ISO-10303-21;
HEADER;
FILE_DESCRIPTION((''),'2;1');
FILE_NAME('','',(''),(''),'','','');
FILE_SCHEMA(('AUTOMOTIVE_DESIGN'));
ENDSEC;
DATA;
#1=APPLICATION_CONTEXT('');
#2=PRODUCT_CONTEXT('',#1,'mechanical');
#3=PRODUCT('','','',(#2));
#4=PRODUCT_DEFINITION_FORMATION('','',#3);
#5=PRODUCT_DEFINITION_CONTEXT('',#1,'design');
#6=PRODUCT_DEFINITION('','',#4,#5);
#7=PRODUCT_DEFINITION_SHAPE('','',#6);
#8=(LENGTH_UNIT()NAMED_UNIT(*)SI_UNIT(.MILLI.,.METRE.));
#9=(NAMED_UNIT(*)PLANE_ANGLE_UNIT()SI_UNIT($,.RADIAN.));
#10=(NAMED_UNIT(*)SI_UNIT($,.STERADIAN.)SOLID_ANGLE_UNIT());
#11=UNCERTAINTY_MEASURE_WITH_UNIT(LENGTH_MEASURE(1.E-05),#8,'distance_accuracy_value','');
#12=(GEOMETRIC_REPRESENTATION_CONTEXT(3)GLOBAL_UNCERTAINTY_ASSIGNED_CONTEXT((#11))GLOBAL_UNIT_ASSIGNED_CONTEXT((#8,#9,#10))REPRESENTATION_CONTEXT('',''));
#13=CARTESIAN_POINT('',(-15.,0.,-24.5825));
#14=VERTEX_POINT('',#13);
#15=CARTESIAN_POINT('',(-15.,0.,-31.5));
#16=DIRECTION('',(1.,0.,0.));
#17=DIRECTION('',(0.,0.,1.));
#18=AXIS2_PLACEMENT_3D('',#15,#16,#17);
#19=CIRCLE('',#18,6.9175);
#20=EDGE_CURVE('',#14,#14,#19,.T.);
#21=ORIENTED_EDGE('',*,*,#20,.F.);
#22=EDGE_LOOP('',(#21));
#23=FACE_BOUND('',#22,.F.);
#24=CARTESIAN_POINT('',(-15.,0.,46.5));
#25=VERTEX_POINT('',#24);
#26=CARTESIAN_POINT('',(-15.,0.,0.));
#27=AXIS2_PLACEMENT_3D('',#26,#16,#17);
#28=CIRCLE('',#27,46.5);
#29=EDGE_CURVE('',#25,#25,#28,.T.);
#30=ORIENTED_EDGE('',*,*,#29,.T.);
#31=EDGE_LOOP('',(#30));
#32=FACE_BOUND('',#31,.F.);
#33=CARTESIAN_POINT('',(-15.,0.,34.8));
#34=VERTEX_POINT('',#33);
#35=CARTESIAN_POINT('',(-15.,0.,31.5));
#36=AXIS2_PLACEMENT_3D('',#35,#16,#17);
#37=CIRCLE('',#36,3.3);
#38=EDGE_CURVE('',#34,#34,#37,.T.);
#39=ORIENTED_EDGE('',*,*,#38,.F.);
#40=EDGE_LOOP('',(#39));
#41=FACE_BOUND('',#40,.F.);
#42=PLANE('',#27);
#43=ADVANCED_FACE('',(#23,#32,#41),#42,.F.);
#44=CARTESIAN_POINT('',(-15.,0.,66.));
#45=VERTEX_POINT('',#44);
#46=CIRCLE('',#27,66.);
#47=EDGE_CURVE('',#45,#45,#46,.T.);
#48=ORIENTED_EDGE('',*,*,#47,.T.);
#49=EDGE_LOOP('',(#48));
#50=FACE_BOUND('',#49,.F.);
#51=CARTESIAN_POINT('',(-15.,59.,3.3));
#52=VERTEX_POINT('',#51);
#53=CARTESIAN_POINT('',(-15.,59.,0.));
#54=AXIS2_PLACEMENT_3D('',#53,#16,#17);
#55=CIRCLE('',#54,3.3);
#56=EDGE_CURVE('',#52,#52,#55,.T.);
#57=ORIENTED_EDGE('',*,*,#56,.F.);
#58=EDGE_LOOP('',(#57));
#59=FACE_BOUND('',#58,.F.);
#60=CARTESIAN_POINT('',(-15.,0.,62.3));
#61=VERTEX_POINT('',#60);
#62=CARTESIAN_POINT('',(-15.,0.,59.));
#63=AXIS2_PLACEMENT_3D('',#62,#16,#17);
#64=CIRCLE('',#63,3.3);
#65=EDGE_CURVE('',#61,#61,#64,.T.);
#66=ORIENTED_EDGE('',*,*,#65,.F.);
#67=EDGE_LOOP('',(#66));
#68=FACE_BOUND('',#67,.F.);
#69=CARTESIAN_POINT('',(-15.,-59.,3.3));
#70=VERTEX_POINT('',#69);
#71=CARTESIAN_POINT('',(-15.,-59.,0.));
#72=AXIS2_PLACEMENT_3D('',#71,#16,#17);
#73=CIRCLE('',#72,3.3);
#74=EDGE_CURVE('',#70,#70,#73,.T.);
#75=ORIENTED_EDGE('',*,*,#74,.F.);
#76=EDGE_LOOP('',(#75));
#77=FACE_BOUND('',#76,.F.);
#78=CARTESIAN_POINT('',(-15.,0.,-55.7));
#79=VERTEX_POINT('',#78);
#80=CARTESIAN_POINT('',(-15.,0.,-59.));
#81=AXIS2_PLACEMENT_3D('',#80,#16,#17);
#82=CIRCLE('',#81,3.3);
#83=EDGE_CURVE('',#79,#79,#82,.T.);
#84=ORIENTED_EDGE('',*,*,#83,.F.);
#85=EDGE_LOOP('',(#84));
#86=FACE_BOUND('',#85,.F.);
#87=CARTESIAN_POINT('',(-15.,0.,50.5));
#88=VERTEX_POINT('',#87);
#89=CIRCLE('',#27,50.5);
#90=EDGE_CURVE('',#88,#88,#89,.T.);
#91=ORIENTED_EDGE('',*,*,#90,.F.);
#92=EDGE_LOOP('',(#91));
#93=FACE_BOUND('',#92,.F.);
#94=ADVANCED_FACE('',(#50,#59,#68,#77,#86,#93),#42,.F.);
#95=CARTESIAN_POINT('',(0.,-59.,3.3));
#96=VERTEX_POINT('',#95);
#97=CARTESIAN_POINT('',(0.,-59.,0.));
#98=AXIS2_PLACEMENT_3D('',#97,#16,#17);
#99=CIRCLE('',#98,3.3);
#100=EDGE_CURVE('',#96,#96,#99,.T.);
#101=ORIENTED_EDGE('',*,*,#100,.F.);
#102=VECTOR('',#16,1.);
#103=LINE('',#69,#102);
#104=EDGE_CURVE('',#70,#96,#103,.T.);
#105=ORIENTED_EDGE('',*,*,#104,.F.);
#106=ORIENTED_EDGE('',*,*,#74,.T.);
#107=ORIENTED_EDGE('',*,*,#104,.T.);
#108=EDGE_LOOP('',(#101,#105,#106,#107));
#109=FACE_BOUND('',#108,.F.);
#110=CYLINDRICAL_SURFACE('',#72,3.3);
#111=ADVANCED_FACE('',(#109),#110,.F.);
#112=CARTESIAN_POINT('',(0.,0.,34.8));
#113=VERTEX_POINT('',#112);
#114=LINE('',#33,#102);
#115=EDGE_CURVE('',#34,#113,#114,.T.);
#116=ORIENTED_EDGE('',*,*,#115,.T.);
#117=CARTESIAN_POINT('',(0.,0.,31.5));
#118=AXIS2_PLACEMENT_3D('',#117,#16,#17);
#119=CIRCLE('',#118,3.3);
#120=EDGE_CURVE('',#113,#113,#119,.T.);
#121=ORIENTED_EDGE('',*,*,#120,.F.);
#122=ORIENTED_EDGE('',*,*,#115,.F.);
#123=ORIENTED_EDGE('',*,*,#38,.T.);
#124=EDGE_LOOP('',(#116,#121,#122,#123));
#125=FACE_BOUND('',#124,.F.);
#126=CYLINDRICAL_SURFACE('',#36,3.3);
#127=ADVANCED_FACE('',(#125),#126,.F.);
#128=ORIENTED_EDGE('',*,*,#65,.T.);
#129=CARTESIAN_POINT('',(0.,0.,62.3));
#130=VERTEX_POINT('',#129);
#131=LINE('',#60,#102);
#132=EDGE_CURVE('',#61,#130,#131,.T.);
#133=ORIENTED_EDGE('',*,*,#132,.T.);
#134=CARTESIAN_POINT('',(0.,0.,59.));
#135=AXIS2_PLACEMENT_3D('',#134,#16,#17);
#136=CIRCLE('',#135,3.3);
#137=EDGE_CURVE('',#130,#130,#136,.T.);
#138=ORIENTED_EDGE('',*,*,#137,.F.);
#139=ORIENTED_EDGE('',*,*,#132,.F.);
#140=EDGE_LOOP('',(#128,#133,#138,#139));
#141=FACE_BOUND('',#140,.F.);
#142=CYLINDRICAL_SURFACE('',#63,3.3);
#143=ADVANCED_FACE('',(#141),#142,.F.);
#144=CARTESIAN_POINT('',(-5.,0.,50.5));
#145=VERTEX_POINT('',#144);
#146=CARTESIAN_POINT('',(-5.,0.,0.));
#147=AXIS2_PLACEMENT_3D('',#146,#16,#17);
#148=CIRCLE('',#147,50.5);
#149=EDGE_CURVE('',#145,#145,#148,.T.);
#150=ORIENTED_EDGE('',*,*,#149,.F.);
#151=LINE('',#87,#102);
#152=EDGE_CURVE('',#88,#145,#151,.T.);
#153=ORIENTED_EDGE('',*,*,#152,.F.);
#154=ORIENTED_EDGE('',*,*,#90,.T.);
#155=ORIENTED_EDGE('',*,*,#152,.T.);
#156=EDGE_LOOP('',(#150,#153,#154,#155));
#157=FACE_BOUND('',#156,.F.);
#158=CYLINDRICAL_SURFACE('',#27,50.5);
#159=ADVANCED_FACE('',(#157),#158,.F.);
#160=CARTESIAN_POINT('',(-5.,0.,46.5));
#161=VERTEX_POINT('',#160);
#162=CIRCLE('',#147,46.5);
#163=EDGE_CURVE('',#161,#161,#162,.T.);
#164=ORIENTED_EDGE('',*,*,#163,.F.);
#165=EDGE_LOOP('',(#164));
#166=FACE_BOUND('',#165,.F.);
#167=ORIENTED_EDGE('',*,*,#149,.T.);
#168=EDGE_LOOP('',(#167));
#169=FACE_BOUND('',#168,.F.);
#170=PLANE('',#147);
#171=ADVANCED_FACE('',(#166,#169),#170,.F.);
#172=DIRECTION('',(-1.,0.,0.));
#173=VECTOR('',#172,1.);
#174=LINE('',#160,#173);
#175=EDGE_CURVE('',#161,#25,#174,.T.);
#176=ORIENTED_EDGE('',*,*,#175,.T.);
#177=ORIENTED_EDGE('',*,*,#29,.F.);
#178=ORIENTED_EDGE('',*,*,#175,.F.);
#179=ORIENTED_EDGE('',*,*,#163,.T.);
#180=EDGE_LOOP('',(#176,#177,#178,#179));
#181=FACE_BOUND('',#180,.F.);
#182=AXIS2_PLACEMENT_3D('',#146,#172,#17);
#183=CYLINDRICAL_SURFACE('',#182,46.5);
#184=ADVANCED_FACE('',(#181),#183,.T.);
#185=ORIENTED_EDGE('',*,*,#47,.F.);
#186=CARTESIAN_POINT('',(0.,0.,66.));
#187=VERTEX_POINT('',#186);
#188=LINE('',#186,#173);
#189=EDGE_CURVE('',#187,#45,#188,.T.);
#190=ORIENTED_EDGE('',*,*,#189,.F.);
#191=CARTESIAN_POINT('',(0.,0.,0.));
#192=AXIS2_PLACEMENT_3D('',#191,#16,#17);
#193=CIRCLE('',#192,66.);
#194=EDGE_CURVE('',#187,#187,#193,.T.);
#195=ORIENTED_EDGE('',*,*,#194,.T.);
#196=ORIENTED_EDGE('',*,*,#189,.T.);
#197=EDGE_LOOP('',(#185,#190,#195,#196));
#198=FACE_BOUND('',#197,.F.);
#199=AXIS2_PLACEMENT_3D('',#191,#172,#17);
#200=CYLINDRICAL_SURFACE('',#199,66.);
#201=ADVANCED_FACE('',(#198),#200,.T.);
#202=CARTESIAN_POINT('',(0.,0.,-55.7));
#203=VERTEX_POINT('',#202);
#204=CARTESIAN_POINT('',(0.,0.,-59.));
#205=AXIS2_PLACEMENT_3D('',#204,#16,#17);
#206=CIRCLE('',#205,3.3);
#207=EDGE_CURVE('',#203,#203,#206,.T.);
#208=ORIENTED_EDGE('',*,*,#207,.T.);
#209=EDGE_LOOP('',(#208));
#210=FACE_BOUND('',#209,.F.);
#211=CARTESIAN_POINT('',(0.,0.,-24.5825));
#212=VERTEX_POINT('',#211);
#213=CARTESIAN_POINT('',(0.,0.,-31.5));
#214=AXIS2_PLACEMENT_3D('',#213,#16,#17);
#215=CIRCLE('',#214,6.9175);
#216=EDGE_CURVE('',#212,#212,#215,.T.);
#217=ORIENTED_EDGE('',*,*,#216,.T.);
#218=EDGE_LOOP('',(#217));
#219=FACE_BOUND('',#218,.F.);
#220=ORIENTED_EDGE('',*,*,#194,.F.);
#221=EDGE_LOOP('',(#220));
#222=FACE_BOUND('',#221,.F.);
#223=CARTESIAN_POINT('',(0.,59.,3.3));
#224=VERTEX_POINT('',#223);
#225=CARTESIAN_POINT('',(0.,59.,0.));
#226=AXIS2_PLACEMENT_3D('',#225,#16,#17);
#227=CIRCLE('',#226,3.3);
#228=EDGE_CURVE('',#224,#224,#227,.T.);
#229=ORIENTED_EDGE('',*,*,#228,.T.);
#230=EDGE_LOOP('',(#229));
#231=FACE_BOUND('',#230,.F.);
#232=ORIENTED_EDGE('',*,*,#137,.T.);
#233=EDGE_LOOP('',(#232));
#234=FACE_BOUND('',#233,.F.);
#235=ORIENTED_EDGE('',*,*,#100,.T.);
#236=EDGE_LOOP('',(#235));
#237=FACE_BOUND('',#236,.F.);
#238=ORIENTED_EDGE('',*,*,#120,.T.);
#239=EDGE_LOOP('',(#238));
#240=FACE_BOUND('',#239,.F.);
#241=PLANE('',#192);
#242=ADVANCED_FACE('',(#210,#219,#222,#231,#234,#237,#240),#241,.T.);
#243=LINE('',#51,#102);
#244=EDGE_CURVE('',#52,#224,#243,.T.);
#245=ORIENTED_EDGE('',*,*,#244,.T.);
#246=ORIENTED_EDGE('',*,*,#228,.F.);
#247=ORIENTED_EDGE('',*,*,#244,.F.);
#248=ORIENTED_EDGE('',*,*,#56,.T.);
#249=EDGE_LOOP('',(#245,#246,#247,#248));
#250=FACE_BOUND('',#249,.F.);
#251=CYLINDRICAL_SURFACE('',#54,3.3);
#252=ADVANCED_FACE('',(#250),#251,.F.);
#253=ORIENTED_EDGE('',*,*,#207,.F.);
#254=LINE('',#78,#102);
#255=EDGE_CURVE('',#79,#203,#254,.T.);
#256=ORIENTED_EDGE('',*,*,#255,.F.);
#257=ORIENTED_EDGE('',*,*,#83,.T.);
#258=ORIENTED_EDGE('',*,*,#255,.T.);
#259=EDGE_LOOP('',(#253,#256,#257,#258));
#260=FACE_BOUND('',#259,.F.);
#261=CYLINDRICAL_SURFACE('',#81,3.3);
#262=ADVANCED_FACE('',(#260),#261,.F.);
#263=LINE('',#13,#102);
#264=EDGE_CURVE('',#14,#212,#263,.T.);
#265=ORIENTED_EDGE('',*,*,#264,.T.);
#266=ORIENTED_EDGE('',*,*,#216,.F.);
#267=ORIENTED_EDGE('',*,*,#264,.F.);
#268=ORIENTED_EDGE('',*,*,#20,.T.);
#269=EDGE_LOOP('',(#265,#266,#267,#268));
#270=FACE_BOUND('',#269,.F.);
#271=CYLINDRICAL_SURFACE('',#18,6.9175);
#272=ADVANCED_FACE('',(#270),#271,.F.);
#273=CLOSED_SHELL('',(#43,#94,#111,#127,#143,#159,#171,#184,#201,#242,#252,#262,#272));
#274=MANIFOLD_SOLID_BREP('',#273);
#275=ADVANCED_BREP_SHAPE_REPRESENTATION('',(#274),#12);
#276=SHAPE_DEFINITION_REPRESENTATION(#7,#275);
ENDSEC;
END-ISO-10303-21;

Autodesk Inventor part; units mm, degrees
ref_plane "YZ Plane" through (0, 0, 0) normal (1, 0, 0) x (0, 1, 0)
ref_plane "XZ Plane" through (0, 0, 0) normal (0, 1, 0) x (-1, 0, 0)
ref_plane "XY Plane" through (0, 0, 0) normal (0, 0, 1) x (1, 0, 0)
sketch "Sketch4" plane through (0, 0, 0) normal (0, 1, 0) x (-1, 0, 0)
  line L0 (0, 0) -> (0, 66)
  line L1 (0, 66) -> (15, 66)
  line L2 (15, 66) -> (15, 50.5)
  line L3 (15, 50.5) -> (5, 50.5)
  line L4 (5, 50.5) -> (5, 46.5)
  line L5 (5, 46.5) -> (15, 46.5)
  line L6 (15, 46.5) -> (15, 0)
  line L7 (15, 0) -> (0, 0)
  dimension "d6" = 66
  dimension "d7" = 15
  dimension "d8" = 15.5
  dimension "d9" = 10
  dimension "d10" = 4
revolve "Revolution1" add sketch "Sketch4" angle 360 about axis through (-15, 0, 0) along (1, 0, 0)
sketch "Sketch5" plane through (-15, 0, 0) normal (-1, 0, 0) x (0, 0, 1)
  point P0 (0, 0)
sketch "Sketch6" plane through (-15, 0, 0) normal (-1, 0, 0) x (0, 0, 1)
  circle A0 centre (0, 0) radius 59
  point P0 (59, 0)
  point P1 (0, -59)
  point P2 (-59, 0)
  point P3 (0, 59)
  dimension "d13" = 118
hole "Hole1" at (-15, 0, 59) at (-15, -59, 0) at (-15, 0, -59) at (-15, 59, 0) direction (1, 0, 0) diameter 6.6 end through all clearance for "Flat Head Machine Screw" size "M6" standard "Ansi Metric M Profile"
sketch "Sketch7" plane through (-15, 0, 0) normal (-1, 0, 0) x (0, 0, 1)
  circle A0 centre (0, 0) radius 31.5
  point P0 (31.5, 0)
  dimension "d21" = 63
hole "Hole2" at (-15, 0, 31.5) direction (1, 0, 0) diameter 6.6 end through all clearance for "Flat Head Machine Screw" size "M6" standard "Ansi Metric M Profile"
sketch "Sketch8" plane through (-15, 0, 0) normal (-1, 0, 0) x (0, 0, 1)
  circle A0 centre (0, 0) radius 31.5
  point P0 (-31.5, 0)
  dimension "d29" = 63
hole "Hole3" at (-15, 0, -31.5) direction (1, 0, 0) diameter 13.835 end through all thread size "M16x2" class "6H" standard "ANSI Metric M Profile"
properties part number "100mm-FlangeBottom-Sketch"
